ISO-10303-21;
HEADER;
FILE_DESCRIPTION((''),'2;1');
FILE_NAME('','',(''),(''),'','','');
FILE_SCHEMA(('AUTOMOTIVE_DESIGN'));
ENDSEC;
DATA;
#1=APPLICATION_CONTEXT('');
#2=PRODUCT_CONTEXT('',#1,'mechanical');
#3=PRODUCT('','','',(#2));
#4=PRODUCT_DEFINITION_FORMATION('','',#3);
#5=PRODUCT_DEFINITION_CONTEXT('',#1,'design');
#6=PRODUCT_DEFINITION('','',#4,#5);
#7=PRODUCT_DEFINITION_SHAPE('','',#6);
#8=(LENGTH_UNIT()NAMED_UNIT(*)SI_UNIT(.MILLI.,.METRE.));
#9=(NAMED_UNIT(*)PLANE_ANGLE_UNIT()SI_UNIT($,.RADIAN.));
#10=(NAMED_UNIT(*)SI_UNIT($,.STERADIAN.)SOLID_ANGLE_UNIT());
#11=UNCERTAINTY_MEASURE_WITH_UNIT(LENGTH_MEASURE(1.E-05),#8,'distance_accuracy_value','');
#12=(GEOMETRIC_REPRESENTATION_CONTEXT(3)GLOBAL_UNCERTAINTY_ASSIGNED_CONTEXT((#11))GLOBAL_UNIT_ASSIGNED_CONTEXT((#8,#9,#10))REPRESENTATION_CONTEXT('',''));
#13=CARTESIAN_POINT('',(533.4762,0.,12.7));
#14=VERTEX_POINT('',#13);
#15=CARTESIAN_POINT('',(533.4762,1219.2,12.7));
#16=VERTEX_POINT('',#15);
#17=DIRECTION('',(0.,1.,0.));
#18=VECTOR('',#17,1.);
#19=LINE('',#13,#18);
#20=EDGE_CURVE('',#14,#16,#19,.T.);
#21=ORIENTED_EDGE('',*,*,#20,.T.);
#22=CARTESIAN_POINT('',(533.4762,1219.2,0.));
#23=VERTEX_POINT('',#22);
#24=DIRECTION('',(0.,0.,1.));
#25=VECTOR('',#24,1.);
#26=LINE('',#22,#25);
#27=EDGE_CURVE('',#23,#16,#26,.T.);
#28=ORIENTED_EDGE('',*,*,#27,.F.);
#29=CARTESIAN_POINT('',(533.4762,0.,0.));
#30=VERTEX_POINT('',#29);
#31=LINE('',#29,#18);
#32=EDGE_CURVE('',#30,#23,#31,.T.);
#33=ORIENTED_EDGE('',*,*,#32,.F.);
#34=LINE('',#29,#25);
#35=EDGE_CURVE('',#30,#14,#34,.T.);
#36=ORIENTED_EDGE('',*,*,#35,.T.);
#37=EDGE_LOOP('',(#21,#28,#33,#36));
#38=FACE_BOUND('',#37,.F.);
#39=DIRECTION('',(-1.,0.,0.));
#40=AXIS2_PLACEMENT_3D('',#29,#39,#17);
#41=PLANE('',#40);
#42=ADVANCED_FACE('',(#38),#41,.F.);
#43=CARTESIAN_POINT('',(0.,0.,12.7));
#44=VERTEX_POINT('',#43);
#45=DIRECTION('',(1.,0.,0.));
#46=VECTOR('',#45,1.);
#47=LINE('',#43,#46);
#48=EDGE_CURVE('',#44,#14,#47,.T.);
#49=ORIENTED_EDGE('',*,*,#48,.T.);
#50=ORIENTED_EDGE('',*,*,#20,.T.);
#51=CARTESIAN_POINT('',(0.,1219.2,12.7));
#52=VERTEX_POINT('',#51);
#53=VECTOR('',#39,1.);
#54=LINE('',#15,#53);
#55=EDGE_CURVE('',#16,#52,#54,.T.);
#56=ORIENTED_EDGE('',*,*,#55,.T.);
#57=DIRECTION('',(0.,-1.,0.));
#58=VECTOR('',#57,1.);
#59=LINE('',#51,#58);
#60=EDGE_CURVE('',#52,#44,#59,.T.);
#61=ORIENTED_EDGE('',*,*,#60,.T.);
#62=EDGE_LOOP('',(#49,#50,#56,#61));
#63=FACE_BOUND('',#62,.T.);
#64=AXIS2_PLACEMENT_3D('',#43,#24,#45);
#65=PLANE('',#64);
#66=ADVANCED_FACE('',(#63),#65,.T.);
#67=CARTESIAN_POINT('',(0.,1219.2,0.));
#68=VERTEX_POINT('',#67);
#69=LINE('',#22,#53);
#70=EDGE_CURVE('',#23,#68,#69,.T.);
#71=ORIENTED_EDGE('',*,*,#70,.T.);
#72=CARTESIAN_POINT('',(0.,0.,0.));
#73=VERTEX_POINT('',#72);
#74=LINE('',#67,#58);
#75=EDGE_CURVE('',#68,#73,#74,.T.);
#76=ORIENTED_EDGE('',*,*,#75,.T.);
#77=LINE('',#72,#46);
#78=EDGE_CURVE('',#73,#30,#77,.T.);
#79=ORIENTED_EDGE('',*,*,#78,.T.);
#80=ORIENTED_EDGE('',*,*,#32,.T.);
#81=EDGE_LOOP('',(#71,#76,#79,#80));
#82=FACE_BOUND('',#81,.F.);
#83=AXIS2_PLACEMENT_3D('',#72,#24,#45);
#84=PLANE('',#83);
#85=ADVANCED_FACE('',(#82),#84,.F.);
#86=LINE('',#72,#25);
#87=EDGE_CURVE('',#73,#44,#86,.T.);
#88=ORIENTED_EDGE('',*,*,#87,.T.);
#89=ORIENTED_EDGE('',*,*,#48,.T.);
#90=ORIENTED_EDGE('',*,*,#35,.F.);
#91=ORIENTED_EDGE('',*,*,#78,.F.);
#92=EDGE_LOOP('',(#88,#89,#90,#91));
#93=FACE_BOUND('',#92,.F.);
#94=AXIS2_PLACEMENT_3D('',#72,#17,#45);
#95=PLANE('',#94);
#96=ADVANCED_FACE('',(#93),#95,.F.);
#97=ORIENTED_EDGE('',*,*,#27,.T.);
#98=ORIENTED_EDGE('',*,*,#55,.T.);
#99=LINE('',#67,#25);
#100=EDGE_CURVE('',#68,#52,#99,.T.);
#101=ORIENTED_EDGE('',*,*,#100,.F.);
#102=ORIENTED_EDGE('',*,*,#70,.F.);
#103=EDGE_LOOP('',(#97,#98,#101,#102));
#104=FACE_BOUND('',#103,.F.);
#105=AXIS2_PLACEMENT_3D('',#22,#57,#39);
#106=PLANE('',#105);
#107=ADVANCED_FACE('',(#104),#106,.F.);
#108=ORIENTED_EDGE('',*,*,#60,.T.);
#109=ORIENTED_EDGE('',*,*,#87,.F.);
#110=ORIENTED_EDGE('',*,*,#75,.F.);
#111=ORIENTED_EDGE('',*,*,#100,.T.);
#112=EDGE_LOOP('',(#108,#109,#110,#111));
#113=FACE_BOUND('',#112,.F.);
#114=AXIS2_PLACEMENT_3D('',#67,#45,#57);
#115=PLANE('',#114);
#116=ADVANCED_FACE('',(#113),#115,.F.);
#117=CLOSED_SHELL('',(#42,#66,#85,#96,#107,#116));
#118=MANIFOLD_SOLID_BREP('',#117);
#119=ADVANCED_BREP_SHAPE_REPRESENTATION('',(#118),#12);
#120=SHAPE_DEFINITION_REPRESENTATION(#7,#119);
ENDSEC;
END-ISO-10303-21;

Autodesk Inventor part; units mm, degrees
ref_plane "YZ Plane" through (0, 0, 0) normal (1, 0, 0) x (0, 1, 0)
ref_plane "XZ Plane" through (0, 0, 0) normal (0, 1, 0) x (-1, 0, 0)
ref_plane "XY Plane" through (0, 0, 0) normal (0, 0, 1) x (1, 0, 0)
sketch "Sketch1" plane through (0, 0, 0) normal (0, 0, 1) x (1, 0, 0)
  line L0 (0, 0) -> (533.4762, 0)
  line L1 (533.4762, 0) -> (533.4762, 1219.2)
  line L2 (533.4762, 1219.2) -> (0, 1219.2)
  line L3 (0, 1219.2) -> (0, 0)
  dimension "d2" = 1219.2
  dimension "d3" = 533.4762
extrude "Extrusion1" add sketch "Sketch1" along normal blind 12.7
properties part number "OSB_For_Walls_With_Dimensions_20.604_x_48_Inches" material "Wood (Birch)"
